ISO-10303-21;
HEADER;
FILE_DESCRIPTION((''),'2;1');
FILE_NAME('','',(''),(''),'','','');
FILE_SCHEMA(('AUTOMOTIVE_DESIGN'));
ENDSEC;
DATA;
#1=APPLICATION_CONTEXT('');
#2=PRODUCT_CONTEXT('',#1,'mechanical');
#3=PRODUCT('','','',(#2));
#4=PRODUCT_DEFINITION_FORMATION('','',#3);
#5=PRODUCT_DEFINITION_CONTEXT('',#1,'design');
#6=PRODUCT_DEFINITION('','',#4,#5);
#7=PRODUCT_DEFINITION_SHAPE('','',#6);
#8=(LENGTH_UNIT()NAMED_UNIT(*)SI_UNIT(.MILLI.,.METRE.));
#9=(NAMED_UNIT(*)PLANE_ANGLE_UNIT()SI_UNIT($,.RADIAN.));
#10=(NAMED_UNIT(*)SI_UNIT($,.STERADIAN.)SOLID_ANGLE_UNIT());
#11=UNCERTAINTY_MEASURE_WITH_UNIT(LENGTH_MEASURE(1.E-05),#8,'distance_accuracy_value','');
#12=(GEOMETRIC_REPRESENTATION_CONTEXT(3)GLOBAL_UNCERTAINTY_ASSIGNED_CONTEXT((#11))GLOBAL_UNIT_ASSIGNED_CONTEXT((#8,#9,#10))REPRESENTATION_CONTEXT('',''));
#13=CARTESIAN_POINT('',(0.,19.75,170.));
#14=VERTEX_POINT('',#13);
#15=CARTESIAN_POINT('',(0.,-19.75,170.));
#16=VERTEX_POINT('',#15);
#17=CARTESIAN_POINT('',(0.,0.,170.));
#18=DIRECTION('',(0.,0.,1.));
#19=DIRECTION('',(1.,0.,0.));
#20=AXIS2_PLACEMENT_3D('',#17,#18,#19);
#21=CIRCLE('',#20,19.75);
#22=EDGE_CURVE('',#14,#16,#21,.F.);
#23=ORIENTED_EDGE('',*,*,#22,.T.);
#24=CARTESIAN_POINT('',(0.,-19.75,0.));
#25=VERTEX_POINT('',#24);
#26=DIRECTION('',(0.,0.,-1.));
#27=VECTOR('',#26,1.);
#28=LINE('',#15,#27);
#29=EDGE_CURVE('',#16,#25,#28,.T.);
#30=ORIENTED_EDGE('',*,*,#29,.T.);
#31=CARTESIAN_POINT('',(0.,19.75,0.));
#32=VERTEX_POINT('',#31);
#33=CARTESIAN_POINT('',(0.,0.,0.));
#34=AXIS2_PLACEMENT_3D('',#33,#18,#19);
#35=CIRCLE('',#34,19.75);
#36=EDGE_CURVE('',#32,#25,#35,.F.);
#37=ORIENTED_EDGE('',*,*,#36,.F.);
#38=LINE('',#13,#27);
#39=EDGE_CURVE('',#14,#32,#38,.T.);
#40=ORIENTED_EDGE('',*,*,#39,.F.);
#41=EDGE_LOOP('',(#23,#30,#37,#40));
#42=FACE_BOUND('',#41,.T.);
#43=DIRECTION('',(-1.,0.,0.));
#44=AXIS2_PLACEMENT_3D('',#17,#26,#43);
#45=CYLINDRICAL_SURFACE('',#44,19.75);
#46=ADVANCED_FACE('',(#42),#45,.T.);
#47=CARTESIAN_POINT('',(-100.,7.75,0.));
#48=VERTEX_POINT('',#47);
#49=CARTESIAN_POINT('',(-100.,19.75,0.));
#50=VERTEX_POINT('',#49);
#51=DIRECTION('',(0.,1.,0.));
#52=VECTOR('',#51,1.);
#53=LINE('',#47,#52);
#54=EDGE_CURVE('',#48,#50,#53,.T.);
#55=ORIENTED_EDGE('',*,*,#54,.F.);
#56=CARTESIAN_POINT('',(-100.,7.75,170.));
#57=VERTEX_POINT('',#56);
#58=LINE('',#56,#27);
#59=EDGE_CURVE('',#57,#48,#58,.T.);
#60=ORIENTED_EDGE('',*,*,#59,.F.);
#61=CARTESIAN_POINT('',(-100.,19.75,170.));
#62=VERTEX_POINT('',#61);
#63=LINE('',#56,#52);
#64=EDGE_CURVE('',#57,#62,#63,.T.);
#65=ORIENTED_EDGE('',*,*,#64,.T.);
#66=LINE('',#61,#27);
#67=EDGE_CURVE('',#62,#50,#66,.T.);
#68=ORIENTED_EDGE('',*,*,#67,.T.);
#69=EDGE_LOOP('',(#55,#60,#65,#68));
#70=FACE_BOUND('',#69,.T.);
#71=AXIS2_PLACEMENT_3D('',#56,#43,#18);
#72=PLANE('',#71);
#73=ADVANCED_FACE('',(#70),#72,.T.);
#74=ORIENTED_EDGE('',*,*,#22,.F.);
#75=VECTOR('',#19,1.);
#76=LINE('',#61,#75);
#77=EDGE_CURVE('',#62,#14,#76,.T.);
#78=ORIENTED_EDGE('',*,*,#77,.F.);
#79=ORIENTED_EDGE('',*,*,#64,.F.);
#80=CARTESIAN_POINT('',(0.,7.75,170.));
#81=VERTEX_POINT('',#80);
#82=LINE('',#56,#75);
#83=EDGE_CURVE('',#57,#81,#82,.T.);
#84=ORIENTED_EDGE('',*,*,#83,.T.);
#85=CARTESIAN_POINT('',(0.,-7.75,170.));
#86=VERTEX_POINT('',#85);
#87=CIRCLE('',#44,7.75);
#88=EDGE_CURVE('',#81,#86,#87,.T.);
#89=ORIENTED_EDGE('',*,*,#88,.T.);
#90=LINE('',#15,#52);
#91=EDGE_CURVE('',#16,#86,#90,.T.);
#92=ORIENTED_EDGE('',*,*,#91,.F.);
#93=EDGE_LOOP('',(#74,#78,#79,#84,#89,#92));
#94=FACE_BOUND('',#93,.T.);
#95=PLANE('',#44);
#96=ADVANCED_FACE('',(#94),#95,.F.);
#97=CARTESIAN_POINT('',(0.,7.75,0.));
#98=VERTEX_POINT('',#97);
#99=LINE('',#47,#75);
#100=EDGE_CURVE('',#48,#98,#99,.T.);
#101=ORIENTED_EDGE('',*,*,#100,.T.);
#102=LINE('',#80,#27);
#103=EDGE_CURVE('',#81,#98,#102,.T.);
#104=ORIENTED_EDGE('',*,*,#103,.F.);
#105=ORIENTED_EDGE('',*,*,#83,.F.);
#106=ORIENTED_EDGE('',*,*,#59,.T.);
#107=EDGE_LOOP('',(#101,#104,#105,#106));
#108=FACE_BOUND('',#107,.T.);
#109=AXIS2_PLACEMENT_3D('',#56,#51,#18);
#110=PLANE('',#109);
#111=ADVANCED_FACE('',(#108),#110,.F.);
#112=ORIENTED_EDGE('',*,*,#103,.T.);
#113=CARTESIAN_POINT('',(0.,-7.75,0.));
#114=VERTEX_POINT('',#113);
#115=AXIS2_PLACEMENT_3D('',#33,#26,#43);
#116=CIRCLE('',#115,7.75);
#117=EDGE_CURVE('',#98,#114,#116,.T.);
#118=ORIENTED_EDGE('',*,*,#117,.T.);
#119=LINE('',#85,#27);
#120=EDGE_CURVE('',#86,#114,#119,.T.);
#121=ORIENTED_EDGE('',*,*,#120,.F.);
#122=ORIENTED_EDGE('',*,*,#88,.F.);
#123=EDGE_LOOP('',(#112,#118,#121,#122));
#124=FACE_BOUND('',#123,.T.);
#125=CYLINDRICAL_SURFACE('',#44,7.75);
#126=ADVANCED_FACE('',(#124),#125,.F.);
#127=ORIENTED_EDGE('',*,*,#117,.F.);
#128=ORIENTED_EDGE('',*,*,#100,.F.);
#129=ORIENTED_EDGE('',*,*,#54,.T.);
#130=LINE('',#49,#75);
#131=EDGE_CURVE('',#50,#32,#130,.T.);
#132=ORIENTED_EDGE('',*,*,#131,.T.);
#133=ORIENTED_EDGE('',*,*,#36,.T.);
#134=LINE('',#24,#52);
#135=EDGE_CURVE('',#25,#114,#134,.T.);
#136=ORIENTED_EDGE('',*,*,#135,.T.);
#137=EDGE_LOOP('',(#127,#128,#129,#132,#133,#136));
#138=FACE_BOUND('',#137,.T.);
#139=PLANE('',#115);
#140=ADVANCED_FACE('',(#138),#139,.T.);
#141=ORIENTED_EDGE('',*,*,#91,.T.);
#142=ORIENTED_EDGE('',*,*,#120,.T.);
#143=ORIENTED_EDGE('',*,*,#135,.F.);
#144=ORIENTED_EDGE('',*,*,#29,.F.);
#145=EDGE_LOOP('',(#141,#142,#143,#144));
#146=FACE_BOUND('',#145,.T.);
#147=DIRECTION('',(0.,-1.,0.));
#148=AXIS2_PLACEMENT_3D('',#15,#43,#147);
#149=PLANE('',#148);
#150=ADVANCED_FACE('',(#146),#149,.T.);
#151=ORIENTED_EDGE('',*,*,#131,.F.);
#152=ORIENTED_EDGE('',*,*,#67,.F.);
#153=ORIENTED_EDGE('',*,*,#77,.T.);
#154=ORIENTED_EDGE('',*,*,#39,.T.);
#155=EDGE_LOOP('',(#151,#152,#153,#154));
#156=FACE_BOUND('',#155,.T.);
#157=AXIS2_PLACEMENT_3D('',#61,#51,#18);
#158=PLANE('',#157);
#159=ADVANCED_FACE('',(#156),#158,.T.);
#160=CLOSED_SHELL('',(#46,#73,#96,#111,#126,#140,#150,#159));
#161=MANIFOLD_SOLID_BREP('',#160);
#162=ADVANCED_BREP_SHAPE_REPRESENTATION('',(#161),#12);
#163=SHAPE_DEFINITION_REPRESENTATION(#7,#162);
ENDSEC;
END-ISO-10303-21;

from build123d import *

# Parameters (mm, degrees)
EXTRUDE_THIN1_DEPTH = 170


with BuildPart() as part:
    # Sketch1 → Extrude-Thin1 (new body)
    with BuildSketch(Plane.XY):
        with BuildLine():
            Line((-100, 7.75), (0, 7.75))
            ThreePointArc((0, 7.75), (7.75, 0), (0, -7.75))
            Line((0, -7.75), (0, -19.75))
            ThreePointArc((0, -19.75), (19.75, 0), (0, 19.75))
            Line((0, 19.75), (-100, 19.75))
            Line((-100, 19.75), (-100, 7.75))
        make_face()
    extrude(amount=EXTRUDE_THIN1_DEPTH)


solid = part.part
